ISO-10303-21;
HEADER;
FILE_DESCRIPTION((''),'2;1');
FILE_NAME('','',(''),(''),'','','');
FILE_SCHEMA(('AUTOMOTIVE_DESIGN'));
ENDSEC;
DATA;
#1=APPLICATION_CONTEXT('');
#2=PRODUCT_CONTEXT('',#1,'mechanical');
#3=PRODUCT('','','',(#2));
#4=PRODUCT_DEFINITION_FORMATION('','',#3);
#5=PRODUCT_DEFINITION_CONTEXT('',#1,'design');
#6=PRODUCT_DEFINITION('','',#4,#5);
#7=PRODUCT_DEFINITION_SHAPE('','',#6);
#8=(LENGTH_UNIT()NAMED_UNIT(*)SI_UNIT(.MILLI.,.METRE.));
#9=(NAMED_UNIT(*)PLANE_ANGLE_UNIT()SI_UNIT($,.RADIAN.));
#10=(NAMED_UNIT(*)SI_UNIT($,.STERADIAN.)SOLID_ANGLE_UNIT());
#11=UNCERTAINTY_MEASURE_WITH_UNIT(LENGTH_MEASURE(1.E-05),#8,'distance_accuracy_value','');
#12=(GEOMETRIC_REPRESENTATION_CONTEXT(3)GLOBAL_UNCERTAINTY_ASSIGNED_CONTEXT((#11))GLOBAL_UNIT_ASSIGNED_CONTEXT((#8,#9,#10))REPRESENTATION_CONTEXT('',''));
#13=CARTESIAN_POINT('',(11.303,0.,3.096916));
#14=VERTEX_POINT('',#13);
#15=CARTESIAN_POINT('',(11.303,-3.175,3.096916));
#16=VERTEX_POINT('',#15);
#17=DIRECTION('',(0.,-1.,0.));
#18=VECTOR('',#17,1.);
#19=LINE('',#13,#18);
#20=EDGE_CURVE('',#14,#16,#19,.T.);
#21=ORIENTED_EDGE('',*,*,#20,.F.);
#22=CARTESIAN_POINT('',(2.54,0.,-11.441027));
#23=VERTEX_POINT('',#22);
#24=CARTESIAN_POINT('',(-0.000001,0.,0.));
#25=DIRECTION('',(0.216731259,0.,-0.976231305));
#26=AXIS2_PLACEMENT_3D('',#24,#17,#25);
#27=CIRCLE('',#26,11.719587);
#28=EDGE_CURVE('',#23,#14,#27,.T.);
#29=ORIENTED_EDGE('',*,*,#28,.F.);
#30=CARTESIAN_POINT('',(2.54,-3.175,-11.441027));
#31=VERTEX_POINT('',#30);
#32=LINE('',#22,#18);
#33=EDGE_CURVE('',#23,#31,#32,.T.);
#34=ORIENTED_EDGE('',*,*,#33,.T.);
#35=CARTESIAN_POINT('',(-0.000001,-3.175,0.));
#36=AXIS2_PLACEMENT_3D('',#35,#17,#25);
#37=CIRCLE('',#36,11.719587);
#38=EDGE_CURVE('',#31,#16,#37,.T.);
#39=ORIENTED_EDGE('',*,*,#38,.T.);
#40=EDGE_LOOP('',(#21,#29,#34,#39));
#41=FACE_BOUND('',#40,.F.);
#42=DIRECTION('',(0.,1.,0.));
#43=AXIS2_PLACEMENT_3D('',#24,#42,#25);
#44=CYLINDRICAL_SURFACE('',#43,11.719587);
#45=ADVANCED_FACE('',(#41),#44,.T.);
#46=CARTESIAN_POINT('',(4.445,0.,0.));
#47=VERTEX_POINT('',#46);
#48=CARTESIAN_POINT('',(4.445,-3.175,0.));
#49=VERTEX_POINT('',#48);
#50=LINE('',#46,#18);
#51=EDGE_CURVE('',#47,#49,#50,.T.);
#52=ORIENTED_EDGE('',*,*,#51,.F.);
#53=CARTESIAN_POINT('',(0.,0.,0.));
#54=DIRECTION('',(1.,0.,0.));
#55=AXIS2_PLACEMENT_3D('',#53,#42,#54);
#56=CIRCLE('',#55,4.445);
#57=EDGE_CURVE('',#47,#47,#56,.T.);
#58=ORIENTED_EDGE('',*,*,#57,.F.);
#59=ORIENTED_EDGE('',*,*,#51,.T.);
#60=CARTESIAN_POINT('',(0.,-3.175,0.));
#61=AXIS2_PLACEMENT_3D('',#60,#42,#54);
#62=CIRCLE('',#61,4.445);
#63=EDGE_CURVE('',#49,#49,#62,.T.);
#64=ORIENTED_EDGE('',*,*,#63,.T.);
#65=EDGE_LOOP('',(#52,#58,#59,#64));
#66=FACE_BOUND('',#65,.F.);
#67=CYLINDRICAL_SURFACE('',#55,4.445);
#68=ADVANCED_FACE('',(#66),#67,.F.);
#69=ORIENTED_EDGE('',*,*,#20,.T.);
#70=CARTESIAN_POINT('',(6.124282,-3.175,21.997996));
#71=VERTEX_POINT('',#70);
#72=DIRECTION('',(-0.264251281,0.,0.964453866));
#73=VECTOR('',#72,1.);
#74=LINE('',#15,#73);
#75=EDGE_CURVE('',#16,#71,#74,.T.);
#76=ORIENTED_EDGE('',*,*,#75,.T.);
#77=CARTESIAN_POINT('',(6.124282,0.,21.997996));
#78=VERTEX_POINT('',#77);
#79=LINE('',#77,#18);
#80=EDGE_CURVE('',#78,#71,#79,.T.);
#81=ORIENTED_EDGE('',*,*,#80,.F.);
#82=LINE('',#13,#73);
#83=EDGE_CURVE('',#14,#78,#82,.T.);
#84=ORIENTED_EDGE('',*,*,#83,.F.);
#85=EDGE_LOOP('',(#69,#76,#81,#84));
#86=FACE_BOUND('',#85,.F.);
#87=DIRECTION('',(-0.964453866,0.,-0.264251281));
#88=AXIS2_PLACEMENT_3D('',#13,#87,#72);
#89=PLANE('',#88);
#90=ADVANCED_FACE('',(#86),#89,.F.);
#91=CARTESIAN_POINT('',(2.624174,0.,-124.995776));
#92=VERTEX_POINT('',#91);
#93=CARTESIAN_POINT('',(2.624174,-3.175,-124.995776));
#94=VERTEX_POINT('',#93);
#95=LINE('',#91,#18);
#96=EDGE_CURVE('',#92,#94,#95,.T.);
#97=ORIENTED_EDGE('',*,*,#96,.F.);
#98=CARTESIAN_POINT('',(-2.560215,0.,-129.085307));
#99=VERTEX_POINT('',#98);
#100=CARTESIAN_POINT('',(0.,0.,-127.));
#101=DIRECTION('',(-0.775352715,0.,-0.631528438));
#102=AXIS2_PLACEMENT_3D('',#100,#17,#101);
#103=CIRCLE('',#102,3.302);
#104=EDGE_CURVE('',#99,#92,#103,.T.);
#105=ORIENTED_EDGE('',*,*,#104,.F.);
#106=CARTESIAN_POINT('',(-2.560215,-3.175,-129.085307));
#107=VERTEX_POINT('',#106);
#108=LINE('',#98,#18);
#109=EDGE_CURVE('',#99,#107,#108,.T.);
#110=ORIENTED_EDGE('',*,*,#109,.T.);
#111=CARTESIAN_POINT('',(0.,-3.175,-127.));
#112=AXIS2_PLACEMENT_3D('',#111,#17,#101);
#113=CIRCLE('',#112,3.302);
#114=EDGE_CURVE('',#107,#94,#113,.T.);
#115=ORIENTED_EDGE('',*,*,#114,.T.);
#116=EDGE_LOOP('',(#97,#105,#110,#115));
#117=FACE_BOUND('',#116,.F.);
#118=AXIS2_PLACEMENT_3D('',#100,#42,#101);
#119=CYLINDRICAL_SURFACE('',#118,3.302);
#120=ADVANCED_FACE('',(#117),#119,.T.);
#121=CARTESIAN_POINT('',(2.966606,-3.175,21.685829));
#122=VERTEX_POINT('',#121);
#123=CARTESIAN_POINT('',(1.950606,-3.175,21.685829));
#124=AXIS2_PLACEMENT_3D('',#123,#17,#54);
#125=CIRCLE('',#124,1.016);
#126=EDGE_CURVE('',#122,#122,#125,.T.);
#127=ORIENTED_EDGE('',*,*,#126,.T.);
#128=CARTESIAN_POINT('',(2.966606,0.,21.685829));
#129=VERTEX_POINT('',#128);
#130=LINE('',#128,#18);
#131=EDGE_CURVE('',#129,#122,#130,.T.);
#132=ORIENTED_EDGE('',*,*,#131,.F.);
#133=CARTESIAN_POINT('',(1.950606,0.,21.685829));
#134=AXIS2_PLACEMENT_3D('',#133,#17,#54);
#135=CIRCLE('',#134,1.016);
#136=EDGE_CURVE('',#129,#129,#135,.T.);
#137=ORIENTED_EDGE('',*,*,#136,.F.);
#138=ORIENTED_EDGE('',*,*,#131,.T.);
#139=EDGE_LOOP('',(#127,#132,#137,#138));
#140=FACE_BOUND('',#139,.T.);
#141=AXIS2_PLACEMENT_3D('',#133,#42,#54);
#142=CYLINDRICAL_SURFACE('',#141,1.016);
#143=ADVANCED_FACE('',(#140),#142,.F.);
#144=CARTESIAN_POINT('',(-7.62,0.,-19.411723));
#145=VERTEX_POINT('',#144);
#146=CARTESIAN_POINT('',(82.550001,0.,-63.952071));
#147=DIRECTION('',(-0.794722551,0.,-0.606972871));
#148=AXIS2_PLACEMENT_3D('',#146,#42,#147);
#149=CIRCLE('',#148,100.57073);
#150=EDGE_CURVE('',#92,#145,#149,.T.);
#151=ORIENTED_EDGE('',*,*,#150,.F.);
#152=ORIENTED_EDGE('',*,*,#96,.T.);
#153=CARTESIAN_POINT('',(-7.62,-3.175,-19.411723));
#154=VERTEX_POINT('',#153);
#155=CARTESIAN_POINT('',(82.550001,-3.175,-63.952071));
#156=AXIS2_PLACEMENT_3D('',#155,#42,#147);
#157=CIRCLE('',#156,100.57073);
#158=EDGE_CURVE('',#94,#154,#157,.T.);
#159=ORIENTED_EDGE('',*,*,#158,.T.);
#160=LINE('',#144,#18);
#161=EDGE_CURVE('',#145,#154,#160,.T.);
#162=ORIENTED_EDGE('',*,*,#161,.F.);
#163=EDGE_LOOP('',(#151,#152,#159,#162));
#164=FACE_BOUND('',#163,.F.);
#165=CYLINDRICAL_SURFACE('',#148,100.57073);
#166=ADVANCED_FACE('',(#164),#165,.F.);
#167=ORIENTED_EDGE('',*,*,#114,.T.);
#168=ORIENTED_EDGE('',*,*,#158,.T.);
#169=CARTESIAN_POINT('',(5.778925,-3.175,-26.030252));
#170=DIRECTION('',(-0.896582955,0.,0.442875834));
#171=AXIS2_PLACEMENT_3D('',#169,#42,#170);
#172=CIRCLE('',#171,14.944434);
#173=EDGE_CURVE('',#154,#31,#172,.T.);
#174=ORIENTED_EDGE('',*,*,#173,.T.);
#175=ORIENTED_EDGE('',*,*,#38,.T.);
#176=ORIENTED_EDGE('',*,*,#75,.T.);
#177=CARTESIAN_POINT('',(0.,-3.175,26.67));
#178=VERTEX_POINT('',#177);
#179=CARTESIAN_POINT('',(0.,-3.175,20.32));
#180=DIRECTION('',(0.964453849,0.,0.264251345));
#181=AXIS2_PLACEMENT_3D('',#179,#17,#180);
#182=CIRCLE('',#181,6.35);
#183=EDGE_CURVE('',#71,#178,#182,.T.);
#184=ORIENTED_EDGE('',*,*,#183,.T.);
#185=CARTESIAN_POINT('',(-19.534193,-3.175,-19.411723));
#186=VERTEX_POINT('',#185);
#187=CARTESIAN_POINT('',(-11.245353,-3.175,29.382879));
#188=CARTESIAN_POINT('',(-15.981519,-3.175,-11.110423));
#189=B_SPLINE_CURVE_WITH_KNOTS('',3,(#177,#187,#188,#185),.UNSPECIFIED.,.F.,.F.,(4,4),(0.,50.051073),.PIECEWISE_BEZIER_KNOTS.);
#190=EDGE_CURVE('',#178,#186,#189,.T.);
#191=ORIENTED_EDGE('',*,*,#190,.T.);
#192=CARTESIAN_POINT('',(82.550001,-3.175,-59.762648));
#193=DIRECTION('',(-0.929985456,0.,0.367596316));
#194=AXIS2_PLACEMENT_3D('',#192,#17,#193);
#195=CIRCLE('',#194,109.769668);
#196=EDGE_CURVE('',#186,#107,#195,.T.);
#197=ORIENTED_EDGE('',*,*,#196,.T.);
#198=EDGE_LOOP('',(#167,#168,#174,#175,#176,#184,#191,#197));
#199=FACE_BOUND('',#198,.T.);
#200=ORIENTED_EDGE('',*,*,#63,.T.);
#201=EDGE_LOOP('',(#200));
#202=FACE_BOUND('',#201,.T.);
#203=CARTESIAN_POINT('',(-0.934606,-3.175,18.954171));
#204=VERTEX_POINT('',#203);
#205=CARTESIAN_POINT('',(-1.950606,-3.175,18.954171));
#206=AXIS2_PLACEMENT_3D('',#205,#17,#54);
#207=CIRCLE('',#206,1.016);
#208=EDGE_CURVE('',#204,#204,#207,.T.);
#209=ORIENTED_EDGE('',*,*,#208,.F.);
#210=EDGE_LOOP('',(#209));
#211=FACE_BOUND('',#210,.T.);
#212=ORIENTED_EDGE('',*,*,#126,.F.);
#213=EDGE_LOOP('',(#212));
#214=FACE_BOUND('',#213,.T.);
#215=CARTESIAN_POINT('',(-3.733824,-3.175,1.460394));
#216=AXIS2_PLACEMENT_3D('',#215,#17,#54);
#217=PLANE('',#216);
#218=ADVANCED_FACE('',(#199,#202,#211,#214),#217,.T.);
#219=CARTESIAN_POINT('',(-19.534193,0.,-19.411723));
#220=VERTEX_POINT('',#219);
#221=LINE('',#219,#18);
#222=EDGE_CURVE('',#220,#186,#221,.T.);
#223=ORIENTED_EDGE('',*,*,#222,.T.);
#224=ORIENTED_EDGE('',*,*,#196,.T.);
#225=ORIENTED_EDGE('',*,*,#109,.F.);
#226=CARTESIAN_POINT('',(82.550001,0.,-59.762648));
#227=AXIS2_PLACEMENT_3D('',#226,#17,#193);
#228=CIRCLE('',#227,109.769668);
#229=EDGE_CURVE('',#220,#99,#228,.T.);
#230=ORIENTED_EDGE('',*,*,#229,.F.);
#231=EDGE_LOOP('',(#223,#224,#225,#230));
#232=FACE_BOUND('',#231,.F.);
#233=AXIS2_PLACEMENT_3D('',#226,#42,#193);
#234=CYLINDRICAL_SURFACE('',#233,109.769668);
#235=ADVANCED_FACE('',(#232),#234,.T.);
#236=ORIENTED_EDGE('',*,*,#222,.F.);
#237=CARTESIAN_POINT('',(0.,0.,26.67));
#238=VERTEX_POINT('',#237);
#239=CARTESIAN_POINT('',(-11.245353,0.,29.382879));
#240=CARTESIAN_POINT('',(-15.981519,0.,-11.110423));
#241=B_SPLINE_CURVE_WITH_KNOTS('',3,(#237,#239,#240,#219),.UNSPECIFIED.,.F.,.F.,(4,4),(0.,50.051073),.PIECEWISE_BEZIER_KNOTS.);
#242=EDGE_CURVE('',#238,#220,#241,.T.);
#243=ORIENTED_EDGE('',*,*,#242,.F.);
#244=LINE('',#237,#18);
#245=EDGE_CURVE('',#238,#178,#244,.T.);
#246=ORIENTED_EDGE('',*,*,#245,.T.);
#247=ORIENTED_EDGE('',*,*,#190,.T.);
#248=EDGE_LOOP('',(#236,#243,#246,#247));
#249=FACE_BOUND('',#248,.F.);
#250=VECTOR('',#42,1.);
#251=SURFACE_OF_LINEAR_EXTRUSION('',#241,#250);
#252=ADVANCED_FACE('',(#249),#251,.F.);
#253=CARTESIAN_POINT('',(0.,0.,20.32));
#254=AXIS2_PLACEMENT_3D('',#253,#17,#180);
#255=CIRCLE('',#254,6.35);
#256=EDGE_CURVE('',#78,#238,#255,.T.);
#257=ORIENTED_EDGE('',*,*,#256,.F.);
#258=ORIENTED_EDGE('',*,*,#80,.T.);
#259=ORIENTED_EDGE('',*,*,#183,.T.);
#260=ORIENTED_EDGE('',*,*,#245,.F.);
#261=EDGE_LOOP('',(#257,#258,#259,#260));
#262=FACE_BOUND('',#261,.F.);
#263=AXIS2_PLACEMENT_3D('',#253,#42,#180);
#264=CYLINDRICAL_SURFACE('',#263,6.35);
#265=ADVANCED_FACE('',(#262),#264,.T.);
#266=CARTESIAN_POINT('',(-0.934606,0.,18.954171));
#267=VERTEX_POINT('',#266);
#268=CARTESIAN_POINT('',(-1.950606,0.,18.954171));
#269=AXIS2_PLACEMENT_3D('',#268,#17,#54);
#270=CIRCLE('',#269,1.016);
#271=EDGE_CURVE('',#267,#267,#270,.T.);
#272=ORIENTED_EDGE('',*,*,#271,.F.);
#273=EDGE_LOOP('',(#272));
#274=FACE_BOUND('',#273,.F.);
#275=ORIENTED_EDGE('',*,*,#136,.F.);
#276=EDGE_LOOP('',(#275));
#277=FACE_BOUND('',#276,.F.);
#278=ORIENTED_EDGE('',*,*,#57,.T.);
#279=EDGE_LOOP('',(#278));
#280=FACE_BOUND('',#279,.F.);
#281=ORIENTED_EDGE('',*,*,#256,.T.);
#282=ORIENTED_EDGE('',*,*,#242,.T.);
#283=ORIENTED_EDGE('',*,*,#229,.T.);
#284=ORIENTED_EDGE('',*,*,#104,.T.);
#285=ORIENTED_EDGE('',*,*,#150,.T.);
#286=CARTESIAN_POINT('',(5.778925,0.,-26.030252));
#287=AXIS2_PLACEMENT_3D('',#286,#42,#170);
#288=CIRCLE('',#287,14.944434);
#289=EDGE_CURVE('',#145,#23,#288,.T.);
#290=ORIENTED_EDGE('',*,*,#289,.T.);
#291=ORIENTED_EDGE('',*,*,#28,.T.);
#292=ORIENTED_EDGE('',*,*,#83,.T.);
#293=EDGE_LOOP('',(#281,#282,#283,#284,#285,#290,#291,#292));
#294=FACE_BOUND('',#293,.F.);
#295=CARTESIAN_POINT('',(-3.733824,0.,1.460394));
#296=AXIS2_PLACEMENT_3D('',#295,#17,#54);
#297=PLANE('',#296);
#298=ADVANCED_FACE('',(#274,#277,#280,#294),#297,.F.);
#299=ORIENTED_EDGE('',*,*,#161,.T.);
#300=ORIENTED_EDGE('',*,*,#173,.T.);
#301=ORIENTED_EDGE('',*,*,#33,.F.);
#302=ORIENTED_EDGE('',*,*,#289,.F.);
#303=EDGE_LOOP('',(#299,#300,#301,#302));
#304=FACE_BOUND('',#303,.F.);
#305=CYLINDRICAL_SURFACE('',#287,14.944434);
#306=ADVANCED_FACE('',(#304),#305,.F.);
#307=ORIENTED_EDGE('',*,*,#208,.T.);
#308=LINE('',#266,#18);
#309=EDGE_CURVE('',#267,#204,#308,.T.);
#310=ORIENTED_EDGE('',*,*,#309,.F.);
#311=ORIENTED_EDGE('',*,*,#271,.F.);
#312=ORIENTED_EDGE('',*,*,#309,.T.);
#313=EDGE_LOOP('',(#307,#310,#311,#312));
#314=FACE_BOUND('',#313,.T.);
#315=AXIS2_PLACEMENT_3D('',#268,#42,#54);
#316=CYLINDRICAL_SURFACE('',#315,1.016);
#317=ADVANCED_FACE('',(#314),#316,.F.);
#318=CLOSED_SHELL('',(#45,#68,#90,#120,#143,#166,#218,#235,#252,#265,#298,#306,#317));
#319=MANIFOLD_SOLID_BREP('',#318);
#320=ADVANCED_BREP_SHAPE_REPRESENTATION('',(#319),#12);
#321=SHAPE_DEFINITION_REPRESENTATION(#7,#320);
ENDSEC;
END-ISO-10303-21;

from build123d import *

# Parameters (mm, degrees)
F0_R     = 1.016
F1_DEPTH = 3.175


with BuildPart() as f1:
    # F0 (on Front) → F1 (new body)
    with BuildSketch(Plane.XZ):
        with BuildLine():
            Line((11.303, 3.096916), (6.124282, 21.997996))
            ThreePointArc((6.124282, 21.997996), (3.851443, 25.368652), (0, 26.67))
            add(Edge.make_bspline(
                [(0, 26.67), (-11.245353, 29.382879), (-15.981519, -11.110423), (-19.534193, -19.411723)],
                knots=[0, 0, 0, 0, 50.051073, 50.051073, 50.051073, 50.051073], degree=3))
            Line((-19.534193, -19.411723), (-7.62, -19.411723))
            ThreePointArc((-7.62, -19.411723), (-3.445364, -14.272335), (2.54, -11.441027))
            ThreePointArc((2.54, -11.441027), (10.037186, -6.05009), (11.303, 3.096916))
        make_face()
        with BuildLine():
            ThreePointArc((-4.445, 0), (0, 4.445), (4.445, 0))
            ThreePointArc((4.445, 0), (0, -4.445), (-4.445, 0))
        make_face(mode=Mode.SUBTRACT)
        with Locations((-1.950606, 18.954171)):
            Circle(F0_R, mode=Mode.SUBTRACT)
        with Locations((1.950606, 21.685829)):
            Circle(F0_R, mode=Mode.SUBTRACT)
        with BuildLine():
            Line((-7.62, -19.411723), (-19.534193, -19.411723))
            ThreePointArc((-19.534193, -19.411723), (-25.928156, -76.551612), (-2.560215, -129.085307))
            ThreePointArc((-2.560215, -129.085307), (2.045016, -129.592511), (2.624174, -124.995776))
            ThreePointArc((2.624174, -124.995776), (-17.550677, -73.664227), (-7.62, -19.411723))
        make_face()
    extrude(amount=F1_DEPTH)


solid = f1.part
